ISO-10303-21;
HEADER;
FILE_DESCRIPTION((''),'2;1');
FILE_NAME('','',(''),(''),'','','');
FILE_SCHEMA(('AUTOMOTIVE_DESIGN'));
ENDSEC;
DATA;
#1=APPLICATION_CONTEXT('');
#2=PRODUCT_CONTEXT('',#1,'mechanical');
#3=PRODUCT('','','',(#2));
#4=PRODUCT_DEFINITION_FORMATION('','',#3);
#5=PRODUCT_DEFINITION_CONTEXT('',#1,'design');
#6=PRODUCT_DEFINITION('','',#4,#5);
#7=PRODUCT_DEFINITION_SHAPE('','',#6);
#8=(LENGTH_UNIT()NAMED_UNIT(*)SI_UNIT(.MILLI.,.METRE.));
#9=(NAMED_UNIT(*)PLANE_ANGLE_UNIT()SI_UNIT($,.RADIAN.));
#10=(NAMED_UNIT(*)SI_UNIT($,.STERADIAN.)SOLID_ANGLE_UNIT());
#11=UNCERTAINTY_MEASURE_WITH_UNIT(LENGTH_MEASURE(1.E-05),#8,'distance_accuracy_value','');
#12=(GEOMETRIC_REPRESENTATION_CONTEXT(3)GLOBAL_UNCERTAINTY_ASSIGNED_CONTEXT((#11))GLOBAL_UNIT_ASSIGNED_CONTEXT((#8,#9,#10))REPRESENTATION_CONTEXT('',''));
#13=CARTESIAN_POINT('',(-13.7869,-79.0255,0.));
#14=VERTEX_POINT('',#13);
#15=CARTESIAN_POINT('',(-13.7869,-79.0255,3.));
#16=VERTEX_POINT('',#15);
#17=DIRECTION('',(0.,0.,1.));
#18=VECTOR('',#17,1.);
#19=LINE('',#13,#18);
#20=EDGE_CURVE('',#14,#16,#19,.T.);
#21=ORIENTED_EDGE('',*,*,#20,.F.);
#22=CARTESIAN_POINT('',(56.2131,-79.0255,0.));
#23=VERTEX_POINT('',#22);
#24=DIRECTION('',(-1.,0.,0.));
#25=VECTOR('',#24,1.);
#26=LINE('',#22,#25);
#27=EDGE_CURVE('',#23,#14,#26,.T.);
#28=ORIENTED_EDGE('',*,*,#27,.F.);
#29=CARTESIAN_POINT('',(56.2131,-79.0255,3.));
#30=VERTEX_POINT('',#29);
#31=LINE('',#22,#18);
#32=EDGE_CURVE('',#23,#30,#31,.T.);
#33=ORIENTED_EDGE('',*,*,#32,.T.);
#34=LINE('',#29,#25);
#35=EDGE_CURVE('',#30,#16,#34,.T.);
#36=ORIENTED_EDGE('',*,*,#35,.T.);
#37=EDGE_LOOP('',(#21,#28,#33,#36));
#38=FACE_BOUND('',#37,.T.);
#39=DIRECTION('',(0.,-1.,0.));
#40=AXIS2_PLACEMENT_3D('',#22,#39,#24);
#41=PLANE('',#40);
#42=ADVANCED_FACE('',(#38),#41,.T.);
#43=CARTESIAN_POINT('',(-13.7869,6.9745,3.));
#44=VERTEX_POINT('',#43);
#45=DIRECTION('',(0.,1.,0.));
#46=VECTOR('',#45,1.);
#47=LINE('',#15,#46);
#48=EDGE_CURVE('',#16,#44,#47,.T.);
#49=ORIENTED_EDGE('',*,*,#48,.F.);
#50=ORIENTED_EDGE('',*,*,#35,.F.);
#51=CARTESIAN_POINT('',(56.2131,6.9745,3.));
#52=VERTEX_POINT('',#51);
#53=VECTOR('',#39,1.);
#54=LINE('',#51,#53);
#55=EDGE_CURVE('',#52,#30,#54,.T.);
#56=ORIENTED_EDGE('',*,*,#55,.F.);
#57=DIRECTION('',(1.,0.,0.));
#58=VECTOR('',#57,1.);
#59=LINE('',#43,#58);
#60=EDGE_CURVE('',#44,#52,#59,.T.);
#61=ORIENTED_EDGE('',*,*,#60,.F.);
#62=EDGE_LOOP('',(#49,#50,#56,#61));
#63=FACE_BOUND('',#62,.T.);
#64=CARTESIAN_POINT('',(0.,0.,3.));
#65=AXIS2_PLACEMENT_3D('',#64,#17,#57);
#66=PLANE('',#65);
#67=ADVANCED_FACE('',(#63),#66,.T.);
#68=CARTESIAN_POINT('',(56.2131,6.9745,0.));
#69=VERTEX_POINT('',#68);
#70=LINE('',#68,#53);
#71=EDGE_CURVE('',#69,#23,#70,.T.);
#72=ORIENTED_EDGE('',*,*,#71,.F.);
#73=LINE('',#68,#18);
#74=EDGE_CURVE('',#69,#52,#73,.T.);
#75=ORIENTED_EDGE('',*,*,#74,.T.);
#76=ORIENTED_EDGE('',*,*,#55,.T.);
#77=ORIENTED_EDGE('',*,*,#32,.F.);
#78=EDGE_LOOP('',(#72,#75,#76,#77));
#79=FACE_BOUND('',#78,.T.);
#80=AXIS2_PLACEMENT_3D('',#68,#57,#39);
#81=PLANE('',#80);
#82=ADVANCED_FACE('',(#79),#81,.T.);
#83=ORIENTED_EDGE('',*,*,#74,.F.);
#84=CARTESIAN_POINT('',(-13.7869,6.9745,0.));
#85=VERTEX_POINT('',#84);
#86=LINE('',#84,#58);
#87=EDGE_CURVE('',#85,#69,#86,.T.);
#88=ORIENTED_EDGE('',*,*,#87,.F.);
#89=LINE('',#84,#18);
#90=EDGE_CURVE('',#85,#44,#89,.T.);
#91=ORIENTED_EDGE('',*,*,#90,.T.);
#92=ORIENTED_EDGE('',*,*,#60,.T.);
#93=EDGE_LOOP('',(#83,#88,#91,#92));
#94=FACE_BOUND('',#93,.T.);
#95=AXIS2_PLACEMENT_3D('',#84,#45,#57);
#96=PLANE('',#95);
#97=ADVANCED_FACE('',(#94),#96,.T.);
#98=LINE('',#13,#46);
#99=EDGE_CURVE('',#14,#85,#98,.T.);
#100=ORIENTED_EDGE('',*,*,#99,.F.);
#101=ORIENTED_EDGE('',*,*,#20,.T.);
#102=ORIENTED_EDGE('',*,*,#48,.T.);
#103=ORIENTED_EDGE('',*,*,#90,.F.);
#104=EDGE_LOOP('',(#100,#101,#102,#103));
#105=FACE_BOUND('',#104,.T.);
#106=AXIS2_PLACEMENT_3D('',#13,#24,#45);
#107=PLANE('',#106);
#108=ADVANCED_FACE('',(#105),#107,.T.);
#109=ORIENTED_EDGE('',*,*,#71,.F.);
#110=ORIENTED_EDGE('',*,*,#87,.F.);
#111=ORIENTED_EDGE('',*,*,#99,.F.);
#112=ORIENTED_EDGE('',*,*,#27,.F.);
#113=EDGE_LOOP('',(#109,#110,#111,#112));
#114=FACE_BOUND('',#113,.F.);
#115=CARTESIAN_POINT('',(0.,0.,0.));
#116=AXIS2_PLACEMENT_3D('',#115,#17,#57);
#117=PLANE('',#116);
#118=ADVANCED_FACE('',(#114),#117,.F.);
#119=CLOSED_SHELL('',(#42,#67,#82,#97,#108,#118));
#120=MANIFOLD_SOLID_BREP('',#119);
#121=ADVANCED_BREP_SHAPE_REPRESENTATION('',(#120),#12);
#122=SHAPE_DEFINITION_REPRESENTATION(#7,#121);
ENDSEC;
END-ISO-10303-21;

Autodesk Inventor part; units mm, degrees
ref_plane "YZ Plane" through (0, 0, 0) normal (1, 0, 0) x (0, 1, 0)
ref_plane "XZ Plane" through (0, 0, 0) normal (0, 1, 0) x (-1, 0, 0)
ref_plane "XY Plane" through (0, 0, 0) normal (0, 0, 1) x (1, 0, 0)
sketch "スケッチ1" plane through (0, 0, 0) normal (0, 0, 1) x (1, 0, 0)
  line L0 (-13.7869, 6.9745) -> (56.2131, 6.9745)
  line L1 (56.2131, 6.9745) -> (56.2131, -79.0255)
  line L2 (56.2131, -79.0255) -> (-13.7869, -79.0255)
  line L3 (-13.7869, -79.0255) -> (-13.7869, 6.9745)
  point P0 (0, 0)
  dimension "d0" = 70
  dimension "d1" = 86
extrude "押し出し1" add sketch "スケッチ1" along normal blind 3
equation "\"BendRadius\" = Thickness"
equation "\"BendReliefWidth\" = Thickness"
equation "\"BendReliefDepth\" = 0.5 * Thickness"
equation "\"CornerReliefSize\" = 4 * Thickness"
equation "\"MinimumRemnant\" = 2 * Thickness"
equation "\"TransitionRadius\" = BendRadius"
equation "\"JacobiRadiusSize\" = BendRadius"
equation "\"GapSize\" = Thickness"
equation "\"Thickness\" = 0.5"
properties part number "creat1"
